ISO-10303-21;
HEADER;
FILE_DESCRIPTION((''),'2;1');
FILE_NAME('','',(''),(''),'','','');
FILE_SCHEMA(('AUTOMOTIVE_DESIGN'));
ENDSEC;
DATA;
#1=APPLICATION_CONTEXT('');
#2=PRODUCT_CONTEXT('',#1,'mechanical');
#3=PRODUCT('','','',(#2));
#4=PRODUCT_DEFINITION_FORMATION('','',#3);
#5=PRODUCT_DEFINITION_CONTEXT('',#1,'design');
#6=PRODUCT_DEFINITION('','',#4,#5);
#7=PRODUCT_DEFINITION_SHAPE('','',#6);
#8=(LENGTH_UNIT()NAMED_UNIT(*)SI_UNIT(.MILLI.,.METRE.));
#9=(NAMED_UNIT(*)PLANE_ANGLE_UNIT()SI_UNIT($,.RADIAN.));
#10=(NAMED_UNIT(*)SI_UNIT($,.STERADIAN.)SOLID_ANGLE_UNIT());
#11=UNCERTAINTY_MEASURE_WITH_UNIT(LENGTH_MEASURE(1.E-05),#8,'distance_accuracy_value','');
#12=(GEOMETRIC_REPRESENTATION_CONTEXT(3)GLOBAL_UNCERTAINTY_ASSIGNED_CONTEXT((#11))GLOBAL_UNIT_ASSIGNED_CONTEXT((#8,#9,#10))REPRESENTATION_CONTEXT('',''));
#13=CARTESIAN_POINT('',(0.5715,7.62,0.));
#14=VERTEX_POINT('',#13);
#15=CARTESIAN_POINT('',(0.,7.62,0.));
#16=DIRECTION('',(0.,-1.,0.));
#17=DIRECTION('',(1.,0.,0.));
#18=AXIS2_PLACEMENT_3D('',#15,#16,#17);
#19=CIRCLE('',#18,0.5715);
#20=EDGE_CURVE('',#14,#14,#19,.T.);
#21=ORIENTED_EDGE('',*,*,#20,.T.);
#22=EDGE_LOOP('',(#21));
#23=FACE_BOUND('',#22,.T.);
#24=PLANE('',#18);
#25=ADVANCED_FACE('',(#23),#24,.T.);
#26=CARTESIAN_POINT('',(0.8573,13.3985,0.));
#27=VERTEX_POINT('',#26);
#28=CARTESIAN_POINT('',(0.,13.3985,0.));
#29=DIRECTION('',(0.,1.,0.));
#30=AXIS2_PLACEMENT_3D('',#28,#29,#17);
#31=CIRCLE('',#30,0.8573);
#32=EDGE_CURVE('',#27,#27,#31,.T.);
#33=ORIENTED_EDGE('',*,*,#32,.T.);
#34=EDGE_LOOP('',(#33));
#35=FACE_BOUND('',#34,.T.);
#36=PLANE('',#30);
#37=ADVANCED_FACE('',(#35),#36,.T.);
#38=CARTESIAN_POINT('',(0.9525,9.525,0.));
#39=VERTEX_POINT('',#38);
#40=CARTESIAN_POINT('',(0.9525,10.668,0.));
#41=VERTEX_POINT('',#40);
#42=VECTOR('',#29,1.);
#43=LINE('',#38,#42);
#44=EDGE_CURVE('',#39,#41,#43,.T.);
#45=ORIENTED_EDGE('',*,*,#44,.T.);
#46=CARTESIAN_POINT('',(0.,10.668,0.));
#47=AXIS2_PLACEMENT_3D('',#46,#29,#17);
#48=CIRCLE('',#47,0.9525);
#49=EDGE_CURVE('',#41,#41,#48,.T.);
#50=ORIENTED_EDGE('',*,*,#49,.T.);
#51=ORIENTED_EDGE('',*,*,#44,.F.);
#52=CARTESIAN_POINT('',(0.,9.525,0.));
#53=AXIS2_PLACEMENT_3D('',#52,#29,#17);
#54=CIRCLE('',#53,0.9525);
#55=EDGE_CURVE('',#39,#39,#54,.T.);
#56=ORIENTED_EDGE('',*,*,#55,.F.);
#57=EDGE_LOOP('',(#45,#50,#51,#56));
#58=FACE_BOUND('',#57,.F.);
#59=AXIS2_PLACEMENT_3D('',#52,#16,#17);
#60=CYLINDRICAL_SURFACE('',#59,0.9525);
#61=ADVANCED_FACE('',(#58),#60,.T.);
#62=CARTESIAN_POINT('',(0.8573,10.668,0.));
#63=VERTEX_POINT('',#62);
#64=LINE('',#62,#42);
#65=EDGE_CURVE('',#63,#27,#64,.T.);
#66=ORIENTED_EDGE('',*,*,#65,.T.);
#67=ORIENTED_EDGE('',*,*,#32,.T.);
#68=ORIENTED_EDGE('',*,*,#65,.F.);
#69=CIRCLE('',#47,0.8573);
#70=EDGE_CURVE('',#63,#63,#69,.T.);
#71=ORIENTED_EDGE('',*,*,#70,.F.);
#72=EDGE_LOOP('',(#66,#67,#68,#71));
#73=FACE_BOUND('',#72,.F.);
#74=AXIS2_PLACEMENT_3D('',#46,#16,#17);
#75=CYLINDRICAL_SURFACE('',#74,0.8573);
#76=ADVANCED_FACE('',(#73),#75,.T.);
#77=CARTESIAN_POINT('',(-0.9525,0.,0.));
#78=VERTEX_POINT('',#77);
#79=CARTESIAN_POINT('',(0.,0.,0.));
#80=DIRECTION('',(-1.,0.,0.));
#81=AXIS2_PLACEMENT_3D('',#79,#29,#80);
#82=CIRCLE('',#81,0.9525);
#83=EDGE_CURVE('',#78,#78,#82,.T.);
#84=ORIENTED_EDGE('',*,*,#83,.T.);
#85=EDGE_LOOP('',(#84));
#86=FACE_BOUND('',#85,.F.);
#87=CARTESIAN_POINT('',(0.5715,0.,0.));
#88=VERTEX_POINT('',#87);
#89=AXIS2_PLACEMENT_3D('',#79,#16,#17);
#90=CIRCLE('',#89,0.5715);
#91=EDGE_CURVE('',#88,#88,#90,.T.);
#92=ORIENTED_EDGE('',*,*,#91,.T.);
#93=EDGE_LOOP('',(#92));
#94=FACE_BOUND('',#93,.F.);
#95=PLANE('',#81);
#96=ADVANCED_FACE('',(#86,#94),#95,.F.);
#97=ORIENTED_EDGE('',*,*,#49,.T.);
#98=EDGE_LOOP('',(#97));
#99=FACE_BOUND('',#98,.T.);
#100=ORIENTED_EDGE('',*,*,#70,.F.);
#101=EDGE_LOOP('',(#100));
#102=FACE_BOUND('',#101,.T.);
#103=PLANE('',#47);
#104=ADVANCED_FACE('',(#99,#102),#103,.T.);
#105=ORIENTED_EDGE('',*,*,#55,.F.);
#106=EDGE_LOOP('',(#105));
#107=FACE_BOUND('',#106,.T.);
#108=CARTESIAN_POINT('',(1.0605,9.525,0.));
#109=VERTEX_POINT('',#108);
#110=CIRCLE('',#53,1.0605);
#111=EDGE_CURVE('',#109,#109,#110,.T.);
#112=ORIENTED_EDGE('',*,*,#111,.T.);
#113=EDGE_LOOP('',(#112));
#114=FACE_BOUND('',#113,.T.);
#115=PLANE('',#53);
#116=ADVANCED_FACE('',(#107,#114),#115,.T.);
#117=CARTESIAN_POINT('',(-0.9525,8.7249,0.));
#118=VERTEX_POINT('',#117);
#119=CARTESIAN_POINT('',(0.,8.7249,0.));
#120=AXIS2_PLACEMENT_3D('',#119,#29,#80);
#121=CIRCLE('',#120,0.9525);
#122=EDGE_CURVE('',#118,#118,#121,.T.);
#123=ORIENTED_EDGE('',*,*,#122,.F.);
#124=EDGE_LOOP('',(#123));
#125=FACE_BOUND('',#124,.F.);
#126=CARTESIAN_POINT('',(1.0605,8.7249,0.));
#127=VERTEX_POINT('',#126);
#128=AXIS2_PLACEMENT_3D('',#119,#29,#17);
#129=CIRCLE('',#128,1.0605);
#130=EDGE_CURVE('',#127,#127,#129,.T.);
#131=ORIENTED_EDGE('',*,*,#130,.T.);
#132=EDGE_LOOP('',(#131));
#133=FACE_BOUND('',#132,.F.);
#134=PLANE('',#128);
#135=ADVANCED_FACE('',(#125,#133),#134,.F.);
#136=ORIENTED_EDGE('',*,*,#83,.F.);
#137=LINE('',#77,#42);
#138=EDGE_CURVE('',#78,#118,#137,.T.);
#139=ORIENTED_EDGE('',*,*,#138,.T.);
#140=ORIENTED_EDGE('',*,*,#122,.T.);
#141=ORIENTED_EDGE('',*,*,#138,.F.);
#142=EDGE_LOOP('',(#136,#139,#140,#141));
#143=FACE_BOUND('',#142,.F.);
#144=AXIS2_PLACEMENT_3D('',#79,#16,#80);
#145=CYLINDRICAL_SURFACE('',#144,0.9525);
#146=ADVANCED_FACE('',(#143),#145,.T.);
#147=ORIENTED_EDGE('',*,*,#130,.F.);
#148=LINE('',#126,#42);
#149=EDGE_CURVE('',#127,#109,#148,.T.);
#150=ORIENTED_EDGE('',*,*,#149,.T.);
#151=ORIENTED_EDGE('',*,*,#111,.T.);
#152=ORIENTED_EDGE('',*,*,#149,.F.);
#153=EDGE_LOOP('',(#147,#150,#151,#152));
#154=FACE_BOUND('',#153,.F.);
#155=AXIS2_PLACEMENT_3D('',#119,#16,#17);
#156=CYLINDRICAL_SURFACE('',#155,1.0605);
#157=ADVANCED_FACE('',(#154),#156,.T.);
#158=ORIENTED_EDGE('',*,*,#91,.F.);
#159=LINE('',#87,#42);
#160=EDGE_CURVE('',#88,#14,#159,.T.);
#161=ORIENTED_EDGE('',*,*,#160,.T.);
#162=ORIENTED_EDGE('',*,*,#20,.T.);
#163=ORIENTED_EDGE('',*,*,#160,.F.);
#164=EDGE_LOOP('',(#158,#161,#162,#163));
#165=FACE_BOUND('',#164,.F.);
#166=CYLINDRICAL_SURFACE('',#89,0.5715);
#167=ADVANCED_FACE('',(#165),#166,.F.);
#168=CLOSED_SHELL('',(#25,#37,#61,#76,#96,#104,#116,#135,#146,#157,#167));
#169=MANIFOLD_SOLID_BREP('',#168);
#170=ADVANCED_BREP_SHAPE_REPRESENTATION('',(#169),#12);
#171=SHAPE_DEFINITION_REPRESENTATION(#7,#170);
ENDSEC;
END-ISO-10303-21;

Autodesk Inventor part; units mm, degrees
ref_plane "YZ Plane" through (0, 0, 0) normal (1, 0, 0) x (0, 1, 0)
ref_plane "XZ Plane" through (0, 0, 0) normal (0, 1, 0) x (-1, 0, 0)
ref_plane "XY Plane" through (0, 0, 0) normal (0, 0, 1) x (1, 0, 0)
sketch "Sketch1" plane through (0, 0, 0) normal (0, 1, 0) x (-1, 0, 0)
  circle A0 centre (0, 0) radius 0.9525
  dimension "d0" = 1.905
extrude "Extrusion1" add sketch "Sketch1" along normal blind 8.7249
sketch "Sketch2" plane through (0, 8.7249, 0) normal (0, 1, 0) x (1, 0, 0)
  circle A0 centre (0, 0) radius 0.9525 projected
  circle A1 centre (0, 0) radius 1.0605
  dimension "d3" = 2.1209
extrude "Extrusion2" add sketch "Sketch2" along normal blind 0.8001 contours A0 | A1
sketch "Sketch3" plane through (0, 9.525, 0) normal (0, 1, 0) x (1, 0, 0)
  circle A0 centre (0, 0) radius 1.0605 projected
  circle A1 centre (0, 0) radius 0.9525 projected
  circle A2 centre (0, 0) radius 0.8827
  dimension "d6" = 1.7653
extrude "Extrusion3" add sketch "Sketch3" along normal blind 1.143 contours A1 | A2
sketch "Sketch4" plane through (0, 10.668, 0) normal (0, 1, 0) x (1, 0, 0)
  circle A0 centre (0, 0) radius 0.9525 projected
  circle A1 centre (0, 0) radius 0.8573
  dimension "d9" = 1.7145
extrude "Extrusion4" add sketch "Sketch4" along normal blind 2.7305 contours A1
sketch "Sketch5" plane through (0, 0, 0) normal (0, -1, 0) x (1, 0, 0)
  circle A0 centre (0, 0) radius 0.9525 projected
  circle A1 centre (0, 0) radius 0.5715
  dimension "d12" = 1.143
extrude "Extrusion5" cut sketch "Sketch5" against normal blind 7.62 contours A1
properties part number "female_pin_component"
